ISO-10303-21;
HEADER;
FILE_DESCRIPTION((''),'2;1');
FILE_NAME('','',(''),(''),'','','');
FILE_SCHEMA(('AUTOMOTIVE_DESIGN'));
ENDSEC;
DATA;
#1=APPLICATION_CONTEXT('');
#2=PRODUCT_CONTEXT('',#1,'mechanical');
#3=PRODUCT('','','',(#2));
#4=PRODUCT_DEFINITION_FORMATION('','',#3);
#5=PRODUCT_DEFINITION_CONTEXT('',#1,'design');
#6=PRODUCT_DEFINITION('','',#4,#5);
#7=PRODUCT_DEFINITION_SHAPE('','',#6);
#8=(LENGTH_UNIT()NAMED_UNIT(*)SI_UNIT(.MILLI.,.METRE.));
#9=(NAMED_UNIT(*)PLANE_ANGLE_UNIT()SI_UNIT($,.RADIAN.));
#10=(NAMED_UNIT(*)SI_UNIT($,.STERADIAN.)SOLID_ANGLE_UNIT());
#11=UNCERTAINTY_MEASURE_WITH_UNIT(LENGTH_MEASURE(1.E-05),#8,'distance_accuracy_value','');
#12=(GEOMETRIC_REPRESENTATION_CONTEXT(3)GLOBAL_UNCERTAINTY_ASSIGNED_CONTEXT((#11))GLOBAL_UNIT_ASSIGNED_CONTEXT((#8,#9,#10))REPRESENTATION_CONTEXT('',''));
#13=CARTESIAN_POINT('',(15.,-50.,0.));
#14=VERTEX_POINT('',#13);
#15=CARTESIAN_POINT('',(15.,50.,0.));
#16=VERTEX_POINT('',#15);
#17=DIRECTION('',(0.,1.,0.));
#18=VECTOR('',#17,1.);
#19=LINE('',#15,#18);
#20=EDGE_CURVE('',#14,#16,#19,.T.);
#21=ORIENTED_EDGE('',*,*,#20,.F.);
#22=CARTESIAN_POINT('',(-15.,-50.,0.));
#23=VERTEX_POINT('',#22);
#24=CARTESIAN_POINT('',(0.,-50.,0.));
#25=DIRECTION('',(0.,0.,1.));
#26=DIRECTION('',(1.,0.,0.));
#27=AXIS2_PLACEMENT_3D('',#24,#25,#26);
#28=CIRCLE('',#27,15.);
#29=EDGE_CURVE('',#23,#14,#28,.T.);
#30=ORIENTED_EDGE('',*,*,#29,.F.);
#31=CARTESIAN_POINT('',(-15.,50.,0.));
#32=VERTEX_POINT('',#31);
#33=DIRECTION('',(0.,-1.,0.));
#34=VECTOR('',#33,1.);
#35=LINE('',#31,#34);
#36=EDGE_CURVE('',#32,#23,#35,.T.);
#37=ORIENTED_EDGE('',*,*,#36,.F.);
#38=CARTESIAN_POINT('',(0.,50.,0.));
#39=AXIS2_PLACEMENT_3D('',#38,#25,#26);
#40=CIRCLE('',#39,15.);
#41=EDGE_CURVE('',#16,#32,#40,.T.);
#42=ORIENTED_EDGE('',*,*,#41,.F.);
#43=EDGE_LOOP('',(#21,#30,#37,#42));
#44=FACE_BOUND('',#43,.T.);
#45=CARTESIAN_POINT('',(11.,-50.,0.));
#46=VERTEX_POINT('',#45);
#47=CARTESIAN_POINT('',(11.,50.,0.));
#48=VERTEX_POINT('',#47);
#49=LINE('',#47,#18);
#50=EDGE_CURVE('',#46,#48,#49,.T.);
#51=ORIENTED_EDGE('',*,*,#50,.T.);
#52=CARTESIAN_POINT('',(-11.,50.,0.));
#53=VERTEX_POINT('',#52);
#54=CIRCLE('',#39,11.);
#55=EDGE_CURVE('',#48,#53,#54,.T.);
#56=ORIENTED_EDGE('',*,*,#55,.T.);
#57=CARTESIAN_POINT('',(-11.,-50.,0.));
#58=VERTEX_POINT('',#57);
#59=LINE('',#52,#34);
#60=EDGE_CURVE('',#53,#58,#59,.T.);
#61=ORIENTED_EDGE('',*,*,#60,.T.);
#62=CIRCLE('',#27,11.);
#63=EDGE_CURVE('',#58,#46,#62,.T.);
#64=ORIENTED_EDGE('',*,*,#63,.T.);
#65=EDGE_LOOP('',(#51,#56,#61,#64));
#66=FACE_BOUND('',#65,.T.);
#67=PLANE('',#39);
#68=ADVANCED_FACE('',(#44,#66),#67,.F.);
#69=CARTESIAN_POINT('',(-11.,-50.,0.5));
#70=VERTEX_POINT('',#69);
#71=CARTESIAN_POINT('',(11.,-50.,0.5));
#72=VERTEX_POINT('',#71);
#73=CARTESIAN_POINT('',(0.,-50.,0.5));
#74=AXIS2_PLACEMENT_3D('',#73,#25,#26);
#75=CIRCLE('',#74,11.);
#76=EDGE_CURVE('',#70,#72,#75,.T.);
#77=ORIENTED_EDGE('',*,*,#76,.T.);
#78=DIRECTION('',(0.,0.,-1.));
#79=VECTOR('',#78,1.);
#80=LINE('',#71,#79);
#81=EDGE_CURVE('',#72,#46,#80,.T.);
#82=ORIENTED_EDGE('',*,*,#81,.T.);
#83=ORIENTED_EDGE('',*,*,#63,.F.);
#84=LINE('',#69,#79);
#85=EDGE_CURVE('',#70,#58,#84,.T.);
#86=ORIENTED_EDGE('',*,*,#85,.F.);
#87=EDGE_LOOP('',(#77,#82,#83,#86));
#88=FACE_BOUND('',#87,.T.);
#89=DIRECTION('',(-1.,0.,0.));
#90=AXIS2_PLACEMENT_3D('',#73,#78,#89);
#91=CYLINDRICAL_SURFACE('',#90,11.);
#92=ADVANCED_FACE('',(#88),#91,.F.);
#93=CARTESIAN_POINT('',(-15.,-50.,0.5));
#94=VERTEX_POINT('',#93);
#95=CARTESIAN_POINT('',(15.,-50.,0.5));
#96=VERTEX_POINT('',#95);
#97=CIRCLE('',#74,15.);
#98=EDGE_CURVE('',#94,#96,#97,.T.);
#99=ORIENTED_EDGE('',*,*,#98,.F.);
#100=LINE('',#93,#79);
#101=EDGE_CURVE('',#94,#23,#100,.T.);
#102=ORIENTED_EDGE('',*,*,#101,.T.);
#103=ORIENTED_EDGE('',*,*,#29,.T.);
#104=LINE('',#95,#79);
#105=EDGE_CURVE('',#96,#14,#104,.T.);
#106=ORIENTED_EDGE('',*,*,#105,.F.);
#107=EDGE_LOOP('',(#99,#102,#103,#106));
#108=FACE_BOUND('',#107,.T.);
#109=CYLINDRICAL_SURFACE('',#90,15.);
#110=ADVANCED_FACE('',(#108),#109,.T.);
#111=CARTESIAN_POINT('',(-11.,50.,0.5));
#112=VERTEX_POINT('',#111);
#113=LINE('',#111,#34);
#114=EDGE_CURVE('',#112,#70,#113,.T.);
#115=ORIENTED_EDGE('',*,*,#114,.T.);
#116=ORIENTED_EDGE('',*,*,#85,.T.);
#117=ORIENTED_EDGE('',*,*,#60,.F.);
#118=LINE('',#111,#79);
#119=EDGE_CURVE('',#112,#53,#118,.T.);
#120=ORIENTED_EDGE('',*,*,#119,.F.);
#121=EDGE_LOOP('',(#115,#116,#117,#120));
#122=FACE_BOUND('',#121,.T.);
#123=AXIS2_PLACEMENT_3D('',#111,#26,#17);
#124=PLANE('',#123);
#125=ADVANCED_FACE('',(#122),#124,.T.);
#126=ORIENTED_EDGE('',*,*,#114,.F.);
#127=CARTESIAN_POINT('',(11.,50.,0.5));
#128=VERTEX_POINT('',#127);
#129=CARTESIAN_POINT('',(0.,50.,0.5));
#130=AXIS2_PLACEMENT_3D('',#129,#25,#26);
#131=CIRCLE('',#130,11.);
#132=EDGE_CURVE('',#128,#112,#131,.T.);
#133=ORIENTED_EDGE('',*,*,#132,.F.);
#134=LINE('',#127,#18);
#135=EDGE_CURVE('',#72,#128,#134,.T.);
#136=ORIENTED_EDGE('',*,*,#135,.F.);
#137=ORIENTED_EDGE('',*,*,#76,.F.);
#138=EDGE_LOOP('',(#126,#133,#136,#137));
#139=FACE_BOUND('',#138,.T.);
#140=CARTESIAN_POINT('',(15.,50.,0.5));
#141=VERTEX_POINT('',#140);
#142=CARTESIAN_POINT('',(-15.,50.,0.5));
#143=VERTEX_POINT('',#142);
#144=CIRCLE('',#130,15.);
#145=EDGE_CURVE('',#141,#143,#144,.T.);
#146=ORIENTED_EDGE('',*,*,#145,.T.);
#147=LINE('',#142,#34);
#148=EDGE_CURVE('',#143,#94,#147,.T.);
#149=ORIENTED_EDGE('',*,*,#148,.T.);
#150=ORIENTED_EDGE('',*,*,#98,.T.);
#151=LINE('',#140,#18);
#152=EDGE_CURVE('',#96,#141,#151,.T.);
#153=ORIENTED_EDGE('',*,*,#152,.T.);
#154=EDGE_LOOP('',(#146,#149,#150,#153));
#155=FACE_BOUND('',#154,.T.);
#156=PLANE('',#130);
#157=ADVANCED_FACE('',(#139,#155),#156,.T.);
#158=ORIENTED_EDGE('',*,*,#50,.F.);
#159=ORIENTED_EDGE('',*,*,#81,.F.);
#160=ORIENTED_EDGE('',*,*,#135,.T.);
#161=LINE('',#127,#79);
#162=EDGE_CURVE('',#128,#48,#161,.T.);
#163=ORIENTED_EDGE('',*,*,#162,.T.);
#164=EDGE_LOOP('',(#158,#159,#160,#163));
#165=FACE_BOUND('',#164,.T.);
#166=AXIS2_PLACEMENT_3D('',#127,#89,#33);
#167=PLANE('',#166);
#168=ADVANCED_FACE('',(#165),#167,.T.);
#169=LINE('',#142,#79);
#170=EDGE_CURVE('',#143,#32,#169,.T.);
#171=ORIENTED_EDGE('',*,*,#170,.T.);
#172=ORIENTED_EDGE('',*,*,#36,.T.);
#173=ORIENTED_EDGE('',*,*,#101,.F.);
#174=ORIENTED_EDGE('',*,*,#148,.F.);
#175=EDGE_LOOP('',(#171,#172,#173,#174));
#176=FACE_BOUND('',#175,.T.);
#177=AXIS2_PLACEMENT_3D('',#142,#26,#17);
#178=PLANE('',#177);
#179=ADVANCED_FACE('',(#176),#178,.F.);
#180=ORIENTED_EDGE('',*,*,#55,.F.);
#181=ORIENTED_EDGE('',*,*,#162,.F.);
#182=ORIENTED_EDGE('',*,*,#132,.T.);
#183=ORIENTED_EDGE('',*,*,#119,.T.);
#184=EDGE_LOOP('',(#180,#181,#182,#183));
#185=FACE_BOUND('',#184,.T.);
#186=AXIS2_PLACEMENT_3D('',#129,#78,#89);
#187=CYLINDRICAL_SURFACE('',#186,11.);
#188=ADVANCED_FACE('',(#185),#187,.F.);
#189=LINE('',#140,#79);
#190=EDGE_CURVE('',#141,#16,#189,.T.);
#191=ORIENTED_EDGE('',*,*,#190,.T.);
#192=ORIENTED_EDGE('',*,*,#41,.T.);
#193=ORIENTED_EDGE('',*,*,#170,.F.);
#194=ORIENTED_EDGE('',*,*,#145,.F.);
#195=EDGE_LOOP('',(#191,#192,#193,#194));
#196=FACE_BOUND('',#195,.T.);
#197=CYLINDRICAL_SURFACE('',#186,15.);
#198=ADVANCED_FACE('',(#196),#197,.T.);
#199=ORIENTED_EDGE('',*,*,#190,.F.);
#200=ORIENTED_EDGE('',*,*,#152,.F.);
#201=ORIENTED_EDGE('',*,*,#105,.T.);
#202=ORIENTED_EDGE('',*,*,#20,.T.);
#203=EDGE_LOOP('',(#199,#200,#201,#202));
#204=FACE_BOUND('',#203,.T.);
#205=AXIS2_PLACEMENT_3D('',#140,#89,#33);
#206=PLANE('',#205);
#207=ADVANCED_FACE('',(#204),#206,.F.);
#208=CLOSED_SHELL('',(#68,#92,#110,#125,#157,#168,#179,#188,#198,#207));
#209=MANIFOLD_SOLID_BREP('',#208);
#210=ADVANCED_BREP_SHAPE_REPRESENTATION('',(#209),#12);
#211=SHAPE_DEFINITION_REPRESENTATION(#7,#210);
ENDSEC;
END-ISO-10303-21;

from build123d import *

# Parameters (mm, degrees)
BOSS_EXTRUDE1_DEPTH = 0.5


with BuildPart() as part:
    # Sketch1 → Boss-Extrude1 (new body)
    with BuildSketch(Plane.XY):
        with BuildLine():
            Line((15, 50), (15, -50))
            ThreePointArc((15, -50), (0, -65), (-15, -50))
            Line((-15, -50), (-15, 50))
            ThreePointArc((-15, 50), (0, 65), (15, 50))
        make_face()
        with BuildLine():
            Line((11, 50), (11, -50))
            ThreePointArc((11, -50), (0, -61), (-11, -50))
            Line((-11, -50), (-11, 50))
            ThreePointArc((-11, 50), (0, 61), (11, 50))
        make_face(mode=Mode.SUBTRACT)
    extrude(amount=BOSS_EXTRUDE1_DEPTH)


solid = part.part
